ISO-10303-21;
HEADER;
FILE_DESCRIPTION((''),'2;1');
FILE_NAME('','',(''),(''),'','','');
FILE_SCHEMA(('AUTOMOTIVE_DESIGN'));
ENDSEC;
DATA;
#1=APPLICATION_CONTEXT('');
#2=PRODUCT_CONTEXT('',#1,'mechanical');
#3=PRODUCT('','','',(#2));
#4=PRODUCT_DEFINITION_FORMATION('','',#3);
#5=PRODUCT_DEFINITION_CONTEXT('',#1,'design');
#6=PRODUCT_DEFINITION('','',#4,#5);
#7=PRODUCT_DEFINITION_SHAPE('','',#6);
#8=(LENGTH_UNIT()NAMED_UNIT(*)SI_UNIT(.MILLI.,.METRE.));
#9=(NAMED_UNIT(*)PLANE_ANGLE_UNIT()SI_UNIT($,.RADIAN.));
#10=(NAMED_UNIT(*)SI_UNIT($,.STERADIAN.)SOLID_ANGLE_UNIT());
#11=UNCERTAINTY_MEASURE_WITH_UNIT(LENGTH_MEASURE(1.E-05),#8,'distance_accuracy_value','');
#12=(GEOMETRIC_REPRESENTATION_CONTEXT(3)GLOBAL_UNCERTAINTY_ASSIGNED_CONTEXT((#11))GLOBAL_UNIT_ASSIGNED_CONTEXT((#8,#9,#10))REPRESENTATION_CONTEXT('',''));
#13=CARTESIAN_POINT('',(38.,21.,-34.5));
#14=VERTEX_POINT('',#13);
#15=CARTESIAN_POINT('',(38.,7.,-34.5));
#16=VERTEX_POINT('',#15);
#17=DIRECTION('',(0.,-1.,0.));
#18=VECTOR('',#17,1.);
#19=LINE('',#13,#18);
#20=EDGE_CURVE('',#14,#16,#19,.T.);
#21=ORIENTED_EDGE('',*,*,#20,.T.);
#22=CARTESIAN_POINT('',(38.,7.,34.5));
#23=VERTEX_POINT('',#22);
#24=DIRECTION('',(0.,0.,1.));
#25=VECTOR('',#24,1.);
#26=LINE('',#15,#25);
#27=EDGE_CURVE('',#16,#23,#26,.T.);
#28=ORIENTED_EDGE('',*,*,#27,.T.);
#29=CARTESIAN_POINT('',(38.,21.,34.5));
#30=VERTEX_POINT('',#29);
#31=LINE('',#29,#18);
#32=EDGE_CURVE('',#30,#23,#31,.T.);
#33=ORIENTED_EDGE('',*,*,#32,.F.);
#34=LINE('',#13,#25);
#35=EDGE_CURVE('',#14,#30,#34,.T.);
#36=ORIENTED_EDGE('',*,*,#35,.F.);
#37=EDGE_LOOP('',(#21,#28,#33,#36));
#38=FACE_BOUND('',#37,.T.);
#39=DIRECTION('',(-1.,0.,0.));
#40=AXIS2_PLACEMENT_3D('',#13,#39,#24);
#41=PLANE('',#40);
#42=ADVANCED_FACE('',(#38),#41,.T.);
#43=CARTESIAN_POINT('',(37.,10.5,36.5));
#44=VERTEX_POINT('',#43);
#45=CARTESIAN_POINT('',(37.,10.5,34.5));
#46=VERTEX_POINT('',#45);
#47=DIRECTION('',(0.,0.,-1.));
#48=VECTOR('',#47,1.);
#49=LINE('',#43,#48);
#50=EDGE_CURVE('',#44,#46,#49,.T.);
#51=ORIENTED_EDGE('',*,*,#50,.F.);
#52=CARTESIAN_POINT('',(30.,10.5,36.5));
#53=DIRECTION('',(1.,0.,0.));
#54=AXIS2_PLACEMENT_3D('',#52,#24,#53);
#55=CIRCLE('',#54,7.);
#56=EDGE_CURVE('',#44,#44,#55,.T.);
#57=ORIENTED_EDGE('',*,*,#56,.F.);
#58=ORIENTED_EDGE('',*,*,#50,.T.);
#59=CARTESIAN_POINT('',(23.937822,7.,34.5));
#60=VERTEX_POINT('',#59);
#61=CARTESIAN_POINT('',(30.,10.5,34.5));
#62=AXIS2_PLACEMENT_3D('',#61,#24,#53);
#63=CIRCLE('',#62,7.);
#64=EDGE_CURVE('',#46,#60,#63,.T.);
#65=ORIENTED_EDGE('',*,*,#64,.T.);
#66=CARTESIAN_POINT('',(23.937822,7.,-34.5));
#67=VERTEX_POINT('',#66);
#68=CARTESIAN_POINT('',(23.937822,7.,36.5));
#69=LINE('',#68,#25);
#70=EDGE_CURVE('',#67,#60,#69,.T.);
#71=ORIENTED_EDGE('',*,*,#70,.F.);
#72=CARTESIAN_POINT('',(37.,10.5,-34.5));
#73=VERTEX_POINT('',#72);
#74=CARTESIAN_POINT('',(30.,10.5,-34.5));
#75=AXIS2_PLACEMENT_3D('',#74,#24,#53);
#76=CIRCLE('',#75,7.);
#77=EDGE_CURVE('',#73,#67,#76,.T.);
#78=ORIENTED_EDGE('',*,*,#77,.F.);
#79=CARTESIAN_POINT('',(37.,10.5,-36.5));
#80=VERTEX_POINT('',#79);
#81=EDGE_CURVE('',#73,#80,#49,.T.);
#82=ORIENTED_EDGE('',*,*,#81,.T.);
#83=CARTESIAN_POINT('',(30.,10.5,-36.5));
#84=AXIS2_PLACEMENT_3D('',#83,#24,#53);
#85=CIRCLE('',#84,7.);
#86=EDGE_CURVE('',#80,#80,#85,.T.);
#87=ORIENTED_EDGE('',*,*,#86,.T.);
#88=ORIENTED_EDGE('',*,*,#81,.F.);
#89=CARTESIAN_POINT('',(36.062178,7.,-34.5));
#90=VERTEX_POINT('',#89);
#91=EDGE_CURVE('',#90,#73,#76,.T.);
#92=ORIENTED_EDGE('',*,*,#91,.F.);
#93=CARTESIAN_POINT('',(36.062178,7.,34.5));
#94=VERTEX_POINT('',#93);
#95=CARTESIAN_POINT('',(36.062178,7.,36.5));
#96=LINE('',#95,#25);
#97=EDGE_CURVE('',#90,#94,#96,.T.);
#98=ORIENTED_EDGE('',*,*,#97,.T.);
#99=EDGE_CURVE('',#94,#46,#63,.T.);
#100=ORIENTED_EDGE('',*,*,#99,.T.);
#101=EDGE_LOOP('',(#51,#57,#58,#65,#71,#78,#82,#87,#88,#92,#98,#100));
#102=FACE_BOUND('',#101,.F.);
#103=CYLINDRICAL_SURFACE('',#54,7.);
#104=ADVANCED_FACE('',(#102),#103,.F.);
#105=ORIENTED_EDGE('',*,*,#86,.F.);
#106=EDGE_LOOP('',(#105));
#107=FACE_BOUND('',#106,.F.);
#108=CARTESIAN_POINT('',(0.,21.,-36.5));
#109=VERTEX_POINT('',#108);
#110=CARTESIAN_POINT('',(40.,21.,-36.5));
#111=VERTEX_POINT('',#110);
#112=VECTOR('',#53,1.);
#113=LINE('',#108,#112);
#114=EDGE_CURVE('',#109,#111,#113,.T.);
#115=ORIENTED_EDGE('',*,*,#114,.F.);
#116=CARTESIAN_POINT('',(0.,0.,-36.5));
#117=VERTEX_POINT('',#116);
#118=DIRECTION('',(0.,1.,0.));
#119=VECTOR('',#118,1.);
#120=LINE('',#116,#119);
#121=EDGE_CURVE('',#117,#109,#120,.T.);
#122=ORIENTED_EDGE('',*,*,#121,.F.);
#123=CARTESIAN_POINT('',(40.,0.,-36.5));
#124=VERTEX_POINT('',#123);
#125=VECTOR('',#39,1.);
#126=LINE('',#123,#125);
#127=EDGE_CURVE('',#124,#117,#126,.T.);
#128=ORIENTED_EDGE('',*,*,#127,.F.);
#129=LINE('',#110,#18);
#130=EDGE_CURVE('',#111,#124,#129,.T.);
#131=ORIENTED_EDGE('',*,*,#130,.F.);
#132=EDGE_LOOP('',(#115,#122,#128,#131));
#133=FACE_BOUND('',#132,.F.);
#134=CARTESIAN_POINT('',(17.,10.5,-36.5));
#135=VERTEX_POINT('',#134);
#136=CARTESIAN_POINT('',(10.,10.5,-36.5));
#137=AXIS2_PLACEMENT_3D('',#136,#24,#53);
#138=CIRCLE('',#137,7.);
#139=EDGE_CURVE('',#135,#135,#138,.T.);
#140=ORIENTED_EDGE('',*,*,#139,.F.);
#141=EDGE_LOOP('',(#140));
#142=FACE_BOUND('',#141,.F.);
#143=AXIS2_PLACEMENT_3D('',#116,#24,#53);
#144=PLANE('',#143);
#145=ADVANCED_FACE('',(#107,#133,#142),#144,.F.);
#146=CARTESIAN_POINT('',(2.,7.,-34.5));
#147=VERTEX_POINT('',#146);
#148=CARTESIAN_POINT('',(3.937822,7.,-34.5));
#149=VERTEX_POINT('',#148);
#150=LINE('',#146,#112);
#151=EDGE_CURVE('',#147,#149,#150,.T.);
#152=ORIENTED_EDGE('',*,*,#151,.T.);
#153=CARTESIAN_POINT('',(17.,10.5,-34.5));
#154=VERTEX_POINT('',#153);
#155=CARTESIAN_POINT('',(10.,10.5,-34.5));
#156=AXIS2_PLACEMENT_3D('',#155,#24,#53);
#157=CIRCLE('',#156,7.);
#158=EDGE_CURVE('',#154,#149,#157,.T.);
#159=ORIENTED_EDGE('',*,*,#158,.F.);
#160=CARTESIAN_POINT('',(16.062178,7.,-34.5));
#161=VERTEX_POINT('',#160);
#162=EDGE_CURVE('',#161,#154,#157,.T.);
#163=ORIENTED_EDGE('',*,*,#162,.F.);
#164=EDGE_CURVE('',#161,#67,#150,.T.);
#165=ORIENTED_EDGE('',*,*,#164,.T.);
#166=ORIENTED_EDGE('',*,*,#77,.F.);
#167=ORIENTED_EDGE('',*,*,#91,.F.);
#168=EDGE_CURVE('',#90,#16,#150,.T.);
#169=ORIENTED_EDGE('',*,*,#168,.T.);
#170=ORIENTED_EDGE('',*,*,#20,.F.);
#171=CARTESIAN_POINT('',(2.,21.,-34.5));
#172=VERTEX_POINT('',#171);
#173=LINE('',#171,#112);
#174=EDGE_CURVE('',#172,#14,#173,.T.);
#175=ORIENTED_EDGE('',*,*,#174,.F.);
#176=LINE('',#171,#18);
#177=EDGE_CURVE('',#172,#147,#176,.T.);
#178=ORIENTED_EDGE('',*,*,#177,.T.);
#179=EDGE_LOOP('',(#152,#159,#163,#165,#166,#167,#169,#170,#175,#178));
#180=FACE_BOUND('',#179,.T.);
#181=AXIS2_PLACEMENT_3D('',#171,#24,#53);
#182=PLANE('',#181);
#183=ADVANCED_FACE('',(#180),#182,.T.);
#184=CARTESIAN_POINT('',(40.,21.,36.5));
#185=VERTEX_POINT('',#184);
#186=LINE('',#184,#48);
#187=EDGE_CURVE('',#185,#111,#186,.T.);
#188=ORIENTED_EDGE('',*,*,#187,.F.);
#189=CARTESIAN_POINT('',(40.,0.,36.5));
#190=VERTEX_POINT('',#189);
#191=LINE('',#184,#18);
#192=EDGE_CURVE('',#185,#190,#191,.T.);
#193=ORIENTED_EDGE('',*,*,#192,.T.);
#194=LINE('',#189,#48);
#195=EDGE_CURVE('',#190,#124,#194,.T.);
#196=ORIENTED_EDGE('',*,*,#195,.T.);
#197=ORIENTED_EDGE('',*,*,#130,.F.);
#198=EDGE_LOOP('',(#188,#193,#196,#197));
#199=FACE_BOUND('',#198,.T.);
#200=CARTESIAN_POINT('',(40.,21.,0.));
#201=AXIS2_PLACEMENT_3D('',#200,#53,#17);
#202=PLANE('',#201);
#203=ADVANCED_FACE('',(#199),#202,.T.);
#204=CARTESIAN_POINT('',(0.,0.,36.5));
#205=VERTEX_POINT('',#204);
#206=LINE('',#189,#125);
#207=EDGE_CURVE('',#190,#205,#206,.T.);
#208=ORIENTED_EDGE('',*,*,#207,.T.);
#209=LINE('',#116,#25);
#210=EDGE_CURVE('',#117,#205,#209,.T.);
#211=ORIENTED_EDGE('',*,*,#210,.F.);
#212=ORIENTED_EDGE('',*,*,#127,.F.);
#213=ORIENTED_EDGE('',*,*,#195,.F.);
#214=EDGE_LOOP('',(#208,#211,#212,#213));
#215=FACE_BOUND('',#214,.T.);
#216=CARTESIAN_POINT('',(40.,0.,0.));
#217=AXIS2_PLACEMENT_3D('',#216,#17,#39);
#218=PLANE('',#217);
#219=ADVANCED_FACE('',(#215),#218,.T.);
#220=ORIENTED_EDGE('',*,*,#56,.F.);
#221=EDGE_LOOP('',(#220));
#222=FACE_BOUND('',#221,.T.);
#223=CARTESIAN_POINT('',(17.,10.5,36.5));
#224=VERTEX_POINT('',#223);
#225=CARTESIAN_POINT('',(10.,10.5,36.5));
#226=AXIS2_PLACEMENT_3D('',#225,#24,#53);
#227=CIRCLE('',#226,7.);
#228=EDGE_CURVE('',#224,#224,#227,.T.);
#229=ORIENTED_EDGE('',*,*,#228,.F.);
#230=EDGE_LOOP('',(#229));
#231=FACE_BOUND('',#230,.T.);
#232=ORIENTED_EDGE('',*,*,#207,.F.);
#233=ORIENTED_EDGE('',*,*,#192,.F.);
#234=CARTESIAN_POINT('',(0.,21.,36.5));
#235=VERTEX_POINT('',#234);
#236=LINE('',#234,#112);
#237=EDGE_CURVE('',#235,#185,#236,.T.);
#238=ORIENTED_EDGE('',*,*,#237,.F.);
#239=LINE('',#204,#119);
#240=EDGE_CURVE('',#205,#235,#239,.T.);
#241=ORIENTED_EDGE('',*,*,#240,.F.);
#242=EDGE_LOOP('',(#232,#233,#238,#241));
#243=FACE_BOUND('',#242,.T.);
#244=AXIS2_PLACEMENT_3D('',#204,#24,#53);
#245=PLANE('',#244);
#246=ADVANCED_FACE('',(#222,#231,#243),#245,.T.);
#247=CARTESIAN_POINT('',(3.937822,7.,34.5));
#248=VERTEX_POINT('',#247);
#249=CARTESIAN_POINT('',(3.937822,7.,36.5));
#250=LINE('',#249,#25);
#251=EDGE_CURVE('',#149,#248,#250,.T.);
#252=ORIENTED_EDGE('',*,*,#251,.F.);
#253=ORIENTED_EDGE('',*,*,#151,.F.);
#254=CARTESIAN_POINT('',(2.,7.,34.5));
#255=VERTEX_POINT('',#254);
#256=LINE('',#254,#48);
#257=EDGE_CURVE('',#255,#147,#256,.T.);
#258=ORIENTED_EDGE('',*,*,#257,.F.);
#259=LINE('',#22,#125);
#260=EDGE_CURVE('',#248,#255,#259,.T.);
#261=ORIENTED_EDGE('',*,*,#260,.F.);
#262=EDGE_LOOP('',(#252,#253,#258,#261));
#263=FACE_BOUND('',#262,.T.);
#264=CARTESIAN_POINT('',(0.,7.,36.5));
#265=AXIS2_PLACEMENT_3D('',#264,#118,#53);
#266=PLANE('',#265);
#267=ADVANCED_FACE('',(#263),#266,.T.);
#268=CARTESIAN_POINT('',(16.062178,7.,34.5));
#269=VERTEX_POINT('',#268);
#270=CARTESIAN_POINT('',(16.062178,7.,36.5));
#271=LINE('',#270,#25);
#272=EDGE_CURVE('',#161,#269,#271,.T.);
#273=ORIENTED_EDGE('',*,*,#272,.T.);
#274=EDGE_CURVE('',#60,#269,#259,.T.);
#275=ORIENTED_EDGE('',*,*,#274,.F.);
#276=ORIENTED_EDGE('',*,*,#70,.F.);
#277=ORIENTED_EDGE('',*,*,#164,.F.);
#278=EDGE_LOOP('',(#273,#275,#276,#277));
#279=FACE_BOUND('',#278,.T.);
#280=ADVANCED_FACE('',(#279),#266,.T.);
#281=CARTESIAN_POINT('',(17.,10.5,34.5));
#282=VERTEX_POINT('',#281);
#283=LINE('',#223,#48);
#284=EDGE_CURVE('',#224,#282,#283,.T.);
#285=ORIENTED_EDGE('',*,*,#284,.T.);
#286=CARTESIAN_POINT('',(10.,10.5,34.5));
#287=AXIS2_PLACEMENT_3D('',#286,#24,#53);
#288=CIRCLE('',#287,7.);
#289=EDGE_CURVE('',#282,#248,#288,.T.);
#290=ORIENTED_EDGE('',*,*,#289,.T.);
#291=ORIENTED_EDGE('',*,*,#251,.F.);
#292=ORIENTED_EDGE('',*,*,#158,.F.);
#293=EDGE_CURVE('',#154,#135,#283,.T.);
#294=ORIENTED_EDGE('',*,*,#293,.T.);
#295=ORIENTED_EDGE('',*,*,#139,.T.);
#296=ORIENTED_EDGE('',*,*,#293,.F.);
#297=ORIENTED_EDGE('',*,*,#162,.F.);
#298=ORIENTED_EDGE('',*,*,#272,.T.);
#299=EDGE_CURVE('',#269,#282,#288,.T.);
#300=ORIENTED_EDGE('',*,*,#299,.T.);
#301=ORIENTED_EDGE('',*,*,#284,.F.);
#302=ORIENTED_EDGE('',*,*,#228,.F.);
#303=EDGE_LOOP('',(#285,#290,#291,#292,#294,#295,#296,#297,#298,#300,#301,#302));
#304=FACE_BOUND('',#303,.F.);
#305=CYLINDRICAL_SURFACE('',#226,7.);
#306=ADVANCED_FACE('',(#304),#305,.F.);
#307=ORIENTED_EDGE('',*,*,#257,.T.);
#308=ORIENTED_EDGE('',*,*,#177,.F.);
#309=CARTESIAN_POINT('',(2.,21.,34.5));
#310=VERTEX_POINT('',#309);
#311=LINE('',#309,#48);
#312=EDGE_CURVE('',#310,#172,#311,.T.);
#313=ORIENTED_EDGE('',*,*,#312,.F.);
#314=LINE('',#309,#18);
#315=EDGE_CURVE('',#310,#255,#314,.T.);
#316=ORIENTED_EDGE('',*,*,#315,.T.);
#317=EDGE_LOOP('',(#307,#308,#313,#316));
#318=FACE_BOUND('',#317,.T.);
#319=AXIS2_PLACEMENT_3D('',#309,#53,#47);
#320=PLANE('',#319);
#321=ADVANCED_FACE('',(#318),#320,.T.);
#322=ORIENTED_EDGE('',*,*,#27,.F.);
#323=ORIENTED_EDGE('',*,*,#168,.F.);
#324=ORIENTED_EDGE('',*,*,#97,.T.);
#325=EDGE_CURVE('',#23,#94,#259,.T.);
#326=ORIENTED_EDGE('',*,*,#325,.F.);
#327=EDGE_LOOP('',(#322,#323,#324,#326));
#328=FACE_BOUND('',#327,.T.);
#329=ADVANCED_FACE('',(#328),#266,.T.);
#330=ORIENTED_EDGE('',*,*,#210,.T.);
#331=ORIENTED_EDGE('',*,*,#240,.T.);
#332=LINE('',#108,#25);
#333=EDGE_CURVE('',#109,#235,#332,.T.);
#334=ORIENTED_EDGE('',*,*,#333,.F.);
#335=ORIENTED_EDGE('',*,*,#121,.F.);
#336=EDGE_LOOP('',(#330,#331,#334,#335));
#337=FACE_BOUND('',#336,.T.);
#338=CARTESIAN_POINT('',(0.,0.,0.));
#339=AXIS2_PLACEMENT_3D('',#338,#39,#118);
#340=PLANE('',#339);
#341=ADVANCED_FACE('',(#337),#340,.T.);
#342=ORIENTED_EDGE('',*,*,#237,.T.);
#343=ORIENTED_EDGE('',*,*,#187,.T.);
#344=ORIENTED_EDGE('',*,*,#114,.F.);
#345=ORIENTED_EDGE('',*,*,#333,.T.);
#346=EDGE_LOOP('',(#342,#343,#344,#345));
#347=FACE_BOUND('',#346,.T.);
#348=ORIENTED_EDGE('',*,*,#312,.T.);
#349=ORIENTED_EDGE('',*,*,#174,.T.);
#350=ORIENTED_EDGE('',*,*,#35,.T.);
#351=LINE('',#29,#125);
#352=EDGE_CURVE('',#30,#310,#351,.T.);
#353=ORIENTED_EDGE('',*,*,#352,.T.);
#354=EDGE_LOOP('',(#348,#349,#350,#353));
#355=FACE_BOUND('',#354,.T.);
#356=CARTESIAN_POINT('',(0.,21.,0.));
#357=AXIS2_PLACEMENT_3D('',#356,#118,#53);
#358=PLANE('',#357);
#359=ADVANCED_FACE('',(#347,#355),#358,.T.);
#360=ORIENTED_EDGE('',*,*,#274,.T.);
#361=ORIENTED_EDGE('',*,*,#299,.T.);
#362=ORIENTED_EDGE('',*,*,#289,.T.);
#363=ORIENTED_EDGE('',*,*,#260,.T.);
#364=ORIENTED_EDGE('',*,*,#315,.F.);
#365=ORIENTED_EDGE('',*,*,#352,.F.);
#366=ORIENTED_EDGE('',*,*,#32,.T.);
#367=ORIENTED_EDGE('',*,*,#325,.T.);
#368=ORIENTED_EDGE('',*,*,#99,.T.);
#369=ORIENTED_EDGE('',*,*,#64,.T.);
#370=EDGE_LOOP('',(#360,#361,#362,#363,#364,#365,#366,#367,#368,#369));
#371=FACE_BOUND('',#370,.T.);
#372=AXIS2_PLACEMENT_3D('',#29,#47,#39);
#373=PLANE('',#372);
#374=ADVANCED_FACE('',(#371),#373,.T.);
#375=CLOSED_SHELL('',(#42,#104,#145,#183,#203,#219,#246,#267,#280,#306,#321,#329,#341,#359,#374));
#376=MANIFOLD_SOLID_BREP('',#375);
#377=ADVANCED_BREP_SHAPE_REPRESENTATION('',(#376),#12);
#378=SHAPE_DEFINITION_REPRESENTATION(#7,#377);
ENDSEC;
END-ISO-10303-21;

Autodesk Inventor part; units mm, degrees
ref_plane "YZ Plane" through (0, 0, 0) normal (1, 0, 0) x (0, 1, 0)
ref_plane "XZ Plane" through (0, 0, 0) normal (0, 1, 0) x (-1, 0, 0)
ref_plane "XY Plane" through (0, 0, 0) normal (0, 0, 1) x (1, 0, 0)
sketch "Esquisse1" plane through (0, 0, 0) normal (0, 0, 1) x (1, 0, 0)
  line L0 (0, 21) -> (40, 21)
  line L1 (40, 21) -> (40, 0)
  line L2 (40, 0) -> (0, 0)
  line L3 (0, 0) -> (0, 21)
  line L4 (-8, 0) -> (48, 0) projected
  line L5 (0, -4.2) -> (0, 25.2) projected
  point P0 (0, 0)
  dimension "d0" = 40
  dimension "d1" = 21
extrude "Extrusion1" add sketch "Esquisse1" along normal mid plane 73
sketch "Esquisse2" plane through (0, 0, 36.5) normal (0, 0, 1) x (1, 0, 0)
  circle A0 centre (10, 10.5) radius 7
  circle A1 centre (30, 10.5) radius 7
  line L0 (40, 21) -> (0, 21) projected
  line L1 (0, 21) -> (0, 0) projected
  line L2 (40, 0) -> (40, 21) projected
  line L3 (0, 0) -> (40, 0) projected
  dimension "d4" = 14
  dimension "d5" = 14
  dimension "d11" = 10.5
  dimension "d20" = 10.5
  dimension "d21" = 20
extrude "Extrusion2" cut sketch "Esquisse2" against normal through all contours A0 | A1
sketch "Esquisse3" plane through (0, 21, 36.5) normal (0, 1, 0) x (1, 0, 0)
  line L0 (2, 71) -> (38, 71)
  line L1 (38, 71) -> (38, 2)
  line L2 (38, 2) -> (2, 2)
  line L3 (2, 2) -> (2, 71)
  line L4 (0, 73) -> (40, 73) projected
  line L5 (40, 0) -> (0, 0) projected
  line L6 (40, 73) -> (40, 0) projected
  line L7 (0, 73) -> (0, 0) projected
  point P0 (0, 36.5)
  dimension "d14" = 2
  dimension "d15" = 2
  dimension "d16" = 2
  dimension "d17" = 2
extrude "Extrusion3" cut sketch "Esquisse3" against normal blind 14 contours L0 L1 L2 L3
equation "\"d5\" = d4"
equation "\"d11\" = d20"
equation "\"d15\" = d14"
equation "\"d16\" = d15"
equation "\"d17\" = d16"
properties part number "support pile"
